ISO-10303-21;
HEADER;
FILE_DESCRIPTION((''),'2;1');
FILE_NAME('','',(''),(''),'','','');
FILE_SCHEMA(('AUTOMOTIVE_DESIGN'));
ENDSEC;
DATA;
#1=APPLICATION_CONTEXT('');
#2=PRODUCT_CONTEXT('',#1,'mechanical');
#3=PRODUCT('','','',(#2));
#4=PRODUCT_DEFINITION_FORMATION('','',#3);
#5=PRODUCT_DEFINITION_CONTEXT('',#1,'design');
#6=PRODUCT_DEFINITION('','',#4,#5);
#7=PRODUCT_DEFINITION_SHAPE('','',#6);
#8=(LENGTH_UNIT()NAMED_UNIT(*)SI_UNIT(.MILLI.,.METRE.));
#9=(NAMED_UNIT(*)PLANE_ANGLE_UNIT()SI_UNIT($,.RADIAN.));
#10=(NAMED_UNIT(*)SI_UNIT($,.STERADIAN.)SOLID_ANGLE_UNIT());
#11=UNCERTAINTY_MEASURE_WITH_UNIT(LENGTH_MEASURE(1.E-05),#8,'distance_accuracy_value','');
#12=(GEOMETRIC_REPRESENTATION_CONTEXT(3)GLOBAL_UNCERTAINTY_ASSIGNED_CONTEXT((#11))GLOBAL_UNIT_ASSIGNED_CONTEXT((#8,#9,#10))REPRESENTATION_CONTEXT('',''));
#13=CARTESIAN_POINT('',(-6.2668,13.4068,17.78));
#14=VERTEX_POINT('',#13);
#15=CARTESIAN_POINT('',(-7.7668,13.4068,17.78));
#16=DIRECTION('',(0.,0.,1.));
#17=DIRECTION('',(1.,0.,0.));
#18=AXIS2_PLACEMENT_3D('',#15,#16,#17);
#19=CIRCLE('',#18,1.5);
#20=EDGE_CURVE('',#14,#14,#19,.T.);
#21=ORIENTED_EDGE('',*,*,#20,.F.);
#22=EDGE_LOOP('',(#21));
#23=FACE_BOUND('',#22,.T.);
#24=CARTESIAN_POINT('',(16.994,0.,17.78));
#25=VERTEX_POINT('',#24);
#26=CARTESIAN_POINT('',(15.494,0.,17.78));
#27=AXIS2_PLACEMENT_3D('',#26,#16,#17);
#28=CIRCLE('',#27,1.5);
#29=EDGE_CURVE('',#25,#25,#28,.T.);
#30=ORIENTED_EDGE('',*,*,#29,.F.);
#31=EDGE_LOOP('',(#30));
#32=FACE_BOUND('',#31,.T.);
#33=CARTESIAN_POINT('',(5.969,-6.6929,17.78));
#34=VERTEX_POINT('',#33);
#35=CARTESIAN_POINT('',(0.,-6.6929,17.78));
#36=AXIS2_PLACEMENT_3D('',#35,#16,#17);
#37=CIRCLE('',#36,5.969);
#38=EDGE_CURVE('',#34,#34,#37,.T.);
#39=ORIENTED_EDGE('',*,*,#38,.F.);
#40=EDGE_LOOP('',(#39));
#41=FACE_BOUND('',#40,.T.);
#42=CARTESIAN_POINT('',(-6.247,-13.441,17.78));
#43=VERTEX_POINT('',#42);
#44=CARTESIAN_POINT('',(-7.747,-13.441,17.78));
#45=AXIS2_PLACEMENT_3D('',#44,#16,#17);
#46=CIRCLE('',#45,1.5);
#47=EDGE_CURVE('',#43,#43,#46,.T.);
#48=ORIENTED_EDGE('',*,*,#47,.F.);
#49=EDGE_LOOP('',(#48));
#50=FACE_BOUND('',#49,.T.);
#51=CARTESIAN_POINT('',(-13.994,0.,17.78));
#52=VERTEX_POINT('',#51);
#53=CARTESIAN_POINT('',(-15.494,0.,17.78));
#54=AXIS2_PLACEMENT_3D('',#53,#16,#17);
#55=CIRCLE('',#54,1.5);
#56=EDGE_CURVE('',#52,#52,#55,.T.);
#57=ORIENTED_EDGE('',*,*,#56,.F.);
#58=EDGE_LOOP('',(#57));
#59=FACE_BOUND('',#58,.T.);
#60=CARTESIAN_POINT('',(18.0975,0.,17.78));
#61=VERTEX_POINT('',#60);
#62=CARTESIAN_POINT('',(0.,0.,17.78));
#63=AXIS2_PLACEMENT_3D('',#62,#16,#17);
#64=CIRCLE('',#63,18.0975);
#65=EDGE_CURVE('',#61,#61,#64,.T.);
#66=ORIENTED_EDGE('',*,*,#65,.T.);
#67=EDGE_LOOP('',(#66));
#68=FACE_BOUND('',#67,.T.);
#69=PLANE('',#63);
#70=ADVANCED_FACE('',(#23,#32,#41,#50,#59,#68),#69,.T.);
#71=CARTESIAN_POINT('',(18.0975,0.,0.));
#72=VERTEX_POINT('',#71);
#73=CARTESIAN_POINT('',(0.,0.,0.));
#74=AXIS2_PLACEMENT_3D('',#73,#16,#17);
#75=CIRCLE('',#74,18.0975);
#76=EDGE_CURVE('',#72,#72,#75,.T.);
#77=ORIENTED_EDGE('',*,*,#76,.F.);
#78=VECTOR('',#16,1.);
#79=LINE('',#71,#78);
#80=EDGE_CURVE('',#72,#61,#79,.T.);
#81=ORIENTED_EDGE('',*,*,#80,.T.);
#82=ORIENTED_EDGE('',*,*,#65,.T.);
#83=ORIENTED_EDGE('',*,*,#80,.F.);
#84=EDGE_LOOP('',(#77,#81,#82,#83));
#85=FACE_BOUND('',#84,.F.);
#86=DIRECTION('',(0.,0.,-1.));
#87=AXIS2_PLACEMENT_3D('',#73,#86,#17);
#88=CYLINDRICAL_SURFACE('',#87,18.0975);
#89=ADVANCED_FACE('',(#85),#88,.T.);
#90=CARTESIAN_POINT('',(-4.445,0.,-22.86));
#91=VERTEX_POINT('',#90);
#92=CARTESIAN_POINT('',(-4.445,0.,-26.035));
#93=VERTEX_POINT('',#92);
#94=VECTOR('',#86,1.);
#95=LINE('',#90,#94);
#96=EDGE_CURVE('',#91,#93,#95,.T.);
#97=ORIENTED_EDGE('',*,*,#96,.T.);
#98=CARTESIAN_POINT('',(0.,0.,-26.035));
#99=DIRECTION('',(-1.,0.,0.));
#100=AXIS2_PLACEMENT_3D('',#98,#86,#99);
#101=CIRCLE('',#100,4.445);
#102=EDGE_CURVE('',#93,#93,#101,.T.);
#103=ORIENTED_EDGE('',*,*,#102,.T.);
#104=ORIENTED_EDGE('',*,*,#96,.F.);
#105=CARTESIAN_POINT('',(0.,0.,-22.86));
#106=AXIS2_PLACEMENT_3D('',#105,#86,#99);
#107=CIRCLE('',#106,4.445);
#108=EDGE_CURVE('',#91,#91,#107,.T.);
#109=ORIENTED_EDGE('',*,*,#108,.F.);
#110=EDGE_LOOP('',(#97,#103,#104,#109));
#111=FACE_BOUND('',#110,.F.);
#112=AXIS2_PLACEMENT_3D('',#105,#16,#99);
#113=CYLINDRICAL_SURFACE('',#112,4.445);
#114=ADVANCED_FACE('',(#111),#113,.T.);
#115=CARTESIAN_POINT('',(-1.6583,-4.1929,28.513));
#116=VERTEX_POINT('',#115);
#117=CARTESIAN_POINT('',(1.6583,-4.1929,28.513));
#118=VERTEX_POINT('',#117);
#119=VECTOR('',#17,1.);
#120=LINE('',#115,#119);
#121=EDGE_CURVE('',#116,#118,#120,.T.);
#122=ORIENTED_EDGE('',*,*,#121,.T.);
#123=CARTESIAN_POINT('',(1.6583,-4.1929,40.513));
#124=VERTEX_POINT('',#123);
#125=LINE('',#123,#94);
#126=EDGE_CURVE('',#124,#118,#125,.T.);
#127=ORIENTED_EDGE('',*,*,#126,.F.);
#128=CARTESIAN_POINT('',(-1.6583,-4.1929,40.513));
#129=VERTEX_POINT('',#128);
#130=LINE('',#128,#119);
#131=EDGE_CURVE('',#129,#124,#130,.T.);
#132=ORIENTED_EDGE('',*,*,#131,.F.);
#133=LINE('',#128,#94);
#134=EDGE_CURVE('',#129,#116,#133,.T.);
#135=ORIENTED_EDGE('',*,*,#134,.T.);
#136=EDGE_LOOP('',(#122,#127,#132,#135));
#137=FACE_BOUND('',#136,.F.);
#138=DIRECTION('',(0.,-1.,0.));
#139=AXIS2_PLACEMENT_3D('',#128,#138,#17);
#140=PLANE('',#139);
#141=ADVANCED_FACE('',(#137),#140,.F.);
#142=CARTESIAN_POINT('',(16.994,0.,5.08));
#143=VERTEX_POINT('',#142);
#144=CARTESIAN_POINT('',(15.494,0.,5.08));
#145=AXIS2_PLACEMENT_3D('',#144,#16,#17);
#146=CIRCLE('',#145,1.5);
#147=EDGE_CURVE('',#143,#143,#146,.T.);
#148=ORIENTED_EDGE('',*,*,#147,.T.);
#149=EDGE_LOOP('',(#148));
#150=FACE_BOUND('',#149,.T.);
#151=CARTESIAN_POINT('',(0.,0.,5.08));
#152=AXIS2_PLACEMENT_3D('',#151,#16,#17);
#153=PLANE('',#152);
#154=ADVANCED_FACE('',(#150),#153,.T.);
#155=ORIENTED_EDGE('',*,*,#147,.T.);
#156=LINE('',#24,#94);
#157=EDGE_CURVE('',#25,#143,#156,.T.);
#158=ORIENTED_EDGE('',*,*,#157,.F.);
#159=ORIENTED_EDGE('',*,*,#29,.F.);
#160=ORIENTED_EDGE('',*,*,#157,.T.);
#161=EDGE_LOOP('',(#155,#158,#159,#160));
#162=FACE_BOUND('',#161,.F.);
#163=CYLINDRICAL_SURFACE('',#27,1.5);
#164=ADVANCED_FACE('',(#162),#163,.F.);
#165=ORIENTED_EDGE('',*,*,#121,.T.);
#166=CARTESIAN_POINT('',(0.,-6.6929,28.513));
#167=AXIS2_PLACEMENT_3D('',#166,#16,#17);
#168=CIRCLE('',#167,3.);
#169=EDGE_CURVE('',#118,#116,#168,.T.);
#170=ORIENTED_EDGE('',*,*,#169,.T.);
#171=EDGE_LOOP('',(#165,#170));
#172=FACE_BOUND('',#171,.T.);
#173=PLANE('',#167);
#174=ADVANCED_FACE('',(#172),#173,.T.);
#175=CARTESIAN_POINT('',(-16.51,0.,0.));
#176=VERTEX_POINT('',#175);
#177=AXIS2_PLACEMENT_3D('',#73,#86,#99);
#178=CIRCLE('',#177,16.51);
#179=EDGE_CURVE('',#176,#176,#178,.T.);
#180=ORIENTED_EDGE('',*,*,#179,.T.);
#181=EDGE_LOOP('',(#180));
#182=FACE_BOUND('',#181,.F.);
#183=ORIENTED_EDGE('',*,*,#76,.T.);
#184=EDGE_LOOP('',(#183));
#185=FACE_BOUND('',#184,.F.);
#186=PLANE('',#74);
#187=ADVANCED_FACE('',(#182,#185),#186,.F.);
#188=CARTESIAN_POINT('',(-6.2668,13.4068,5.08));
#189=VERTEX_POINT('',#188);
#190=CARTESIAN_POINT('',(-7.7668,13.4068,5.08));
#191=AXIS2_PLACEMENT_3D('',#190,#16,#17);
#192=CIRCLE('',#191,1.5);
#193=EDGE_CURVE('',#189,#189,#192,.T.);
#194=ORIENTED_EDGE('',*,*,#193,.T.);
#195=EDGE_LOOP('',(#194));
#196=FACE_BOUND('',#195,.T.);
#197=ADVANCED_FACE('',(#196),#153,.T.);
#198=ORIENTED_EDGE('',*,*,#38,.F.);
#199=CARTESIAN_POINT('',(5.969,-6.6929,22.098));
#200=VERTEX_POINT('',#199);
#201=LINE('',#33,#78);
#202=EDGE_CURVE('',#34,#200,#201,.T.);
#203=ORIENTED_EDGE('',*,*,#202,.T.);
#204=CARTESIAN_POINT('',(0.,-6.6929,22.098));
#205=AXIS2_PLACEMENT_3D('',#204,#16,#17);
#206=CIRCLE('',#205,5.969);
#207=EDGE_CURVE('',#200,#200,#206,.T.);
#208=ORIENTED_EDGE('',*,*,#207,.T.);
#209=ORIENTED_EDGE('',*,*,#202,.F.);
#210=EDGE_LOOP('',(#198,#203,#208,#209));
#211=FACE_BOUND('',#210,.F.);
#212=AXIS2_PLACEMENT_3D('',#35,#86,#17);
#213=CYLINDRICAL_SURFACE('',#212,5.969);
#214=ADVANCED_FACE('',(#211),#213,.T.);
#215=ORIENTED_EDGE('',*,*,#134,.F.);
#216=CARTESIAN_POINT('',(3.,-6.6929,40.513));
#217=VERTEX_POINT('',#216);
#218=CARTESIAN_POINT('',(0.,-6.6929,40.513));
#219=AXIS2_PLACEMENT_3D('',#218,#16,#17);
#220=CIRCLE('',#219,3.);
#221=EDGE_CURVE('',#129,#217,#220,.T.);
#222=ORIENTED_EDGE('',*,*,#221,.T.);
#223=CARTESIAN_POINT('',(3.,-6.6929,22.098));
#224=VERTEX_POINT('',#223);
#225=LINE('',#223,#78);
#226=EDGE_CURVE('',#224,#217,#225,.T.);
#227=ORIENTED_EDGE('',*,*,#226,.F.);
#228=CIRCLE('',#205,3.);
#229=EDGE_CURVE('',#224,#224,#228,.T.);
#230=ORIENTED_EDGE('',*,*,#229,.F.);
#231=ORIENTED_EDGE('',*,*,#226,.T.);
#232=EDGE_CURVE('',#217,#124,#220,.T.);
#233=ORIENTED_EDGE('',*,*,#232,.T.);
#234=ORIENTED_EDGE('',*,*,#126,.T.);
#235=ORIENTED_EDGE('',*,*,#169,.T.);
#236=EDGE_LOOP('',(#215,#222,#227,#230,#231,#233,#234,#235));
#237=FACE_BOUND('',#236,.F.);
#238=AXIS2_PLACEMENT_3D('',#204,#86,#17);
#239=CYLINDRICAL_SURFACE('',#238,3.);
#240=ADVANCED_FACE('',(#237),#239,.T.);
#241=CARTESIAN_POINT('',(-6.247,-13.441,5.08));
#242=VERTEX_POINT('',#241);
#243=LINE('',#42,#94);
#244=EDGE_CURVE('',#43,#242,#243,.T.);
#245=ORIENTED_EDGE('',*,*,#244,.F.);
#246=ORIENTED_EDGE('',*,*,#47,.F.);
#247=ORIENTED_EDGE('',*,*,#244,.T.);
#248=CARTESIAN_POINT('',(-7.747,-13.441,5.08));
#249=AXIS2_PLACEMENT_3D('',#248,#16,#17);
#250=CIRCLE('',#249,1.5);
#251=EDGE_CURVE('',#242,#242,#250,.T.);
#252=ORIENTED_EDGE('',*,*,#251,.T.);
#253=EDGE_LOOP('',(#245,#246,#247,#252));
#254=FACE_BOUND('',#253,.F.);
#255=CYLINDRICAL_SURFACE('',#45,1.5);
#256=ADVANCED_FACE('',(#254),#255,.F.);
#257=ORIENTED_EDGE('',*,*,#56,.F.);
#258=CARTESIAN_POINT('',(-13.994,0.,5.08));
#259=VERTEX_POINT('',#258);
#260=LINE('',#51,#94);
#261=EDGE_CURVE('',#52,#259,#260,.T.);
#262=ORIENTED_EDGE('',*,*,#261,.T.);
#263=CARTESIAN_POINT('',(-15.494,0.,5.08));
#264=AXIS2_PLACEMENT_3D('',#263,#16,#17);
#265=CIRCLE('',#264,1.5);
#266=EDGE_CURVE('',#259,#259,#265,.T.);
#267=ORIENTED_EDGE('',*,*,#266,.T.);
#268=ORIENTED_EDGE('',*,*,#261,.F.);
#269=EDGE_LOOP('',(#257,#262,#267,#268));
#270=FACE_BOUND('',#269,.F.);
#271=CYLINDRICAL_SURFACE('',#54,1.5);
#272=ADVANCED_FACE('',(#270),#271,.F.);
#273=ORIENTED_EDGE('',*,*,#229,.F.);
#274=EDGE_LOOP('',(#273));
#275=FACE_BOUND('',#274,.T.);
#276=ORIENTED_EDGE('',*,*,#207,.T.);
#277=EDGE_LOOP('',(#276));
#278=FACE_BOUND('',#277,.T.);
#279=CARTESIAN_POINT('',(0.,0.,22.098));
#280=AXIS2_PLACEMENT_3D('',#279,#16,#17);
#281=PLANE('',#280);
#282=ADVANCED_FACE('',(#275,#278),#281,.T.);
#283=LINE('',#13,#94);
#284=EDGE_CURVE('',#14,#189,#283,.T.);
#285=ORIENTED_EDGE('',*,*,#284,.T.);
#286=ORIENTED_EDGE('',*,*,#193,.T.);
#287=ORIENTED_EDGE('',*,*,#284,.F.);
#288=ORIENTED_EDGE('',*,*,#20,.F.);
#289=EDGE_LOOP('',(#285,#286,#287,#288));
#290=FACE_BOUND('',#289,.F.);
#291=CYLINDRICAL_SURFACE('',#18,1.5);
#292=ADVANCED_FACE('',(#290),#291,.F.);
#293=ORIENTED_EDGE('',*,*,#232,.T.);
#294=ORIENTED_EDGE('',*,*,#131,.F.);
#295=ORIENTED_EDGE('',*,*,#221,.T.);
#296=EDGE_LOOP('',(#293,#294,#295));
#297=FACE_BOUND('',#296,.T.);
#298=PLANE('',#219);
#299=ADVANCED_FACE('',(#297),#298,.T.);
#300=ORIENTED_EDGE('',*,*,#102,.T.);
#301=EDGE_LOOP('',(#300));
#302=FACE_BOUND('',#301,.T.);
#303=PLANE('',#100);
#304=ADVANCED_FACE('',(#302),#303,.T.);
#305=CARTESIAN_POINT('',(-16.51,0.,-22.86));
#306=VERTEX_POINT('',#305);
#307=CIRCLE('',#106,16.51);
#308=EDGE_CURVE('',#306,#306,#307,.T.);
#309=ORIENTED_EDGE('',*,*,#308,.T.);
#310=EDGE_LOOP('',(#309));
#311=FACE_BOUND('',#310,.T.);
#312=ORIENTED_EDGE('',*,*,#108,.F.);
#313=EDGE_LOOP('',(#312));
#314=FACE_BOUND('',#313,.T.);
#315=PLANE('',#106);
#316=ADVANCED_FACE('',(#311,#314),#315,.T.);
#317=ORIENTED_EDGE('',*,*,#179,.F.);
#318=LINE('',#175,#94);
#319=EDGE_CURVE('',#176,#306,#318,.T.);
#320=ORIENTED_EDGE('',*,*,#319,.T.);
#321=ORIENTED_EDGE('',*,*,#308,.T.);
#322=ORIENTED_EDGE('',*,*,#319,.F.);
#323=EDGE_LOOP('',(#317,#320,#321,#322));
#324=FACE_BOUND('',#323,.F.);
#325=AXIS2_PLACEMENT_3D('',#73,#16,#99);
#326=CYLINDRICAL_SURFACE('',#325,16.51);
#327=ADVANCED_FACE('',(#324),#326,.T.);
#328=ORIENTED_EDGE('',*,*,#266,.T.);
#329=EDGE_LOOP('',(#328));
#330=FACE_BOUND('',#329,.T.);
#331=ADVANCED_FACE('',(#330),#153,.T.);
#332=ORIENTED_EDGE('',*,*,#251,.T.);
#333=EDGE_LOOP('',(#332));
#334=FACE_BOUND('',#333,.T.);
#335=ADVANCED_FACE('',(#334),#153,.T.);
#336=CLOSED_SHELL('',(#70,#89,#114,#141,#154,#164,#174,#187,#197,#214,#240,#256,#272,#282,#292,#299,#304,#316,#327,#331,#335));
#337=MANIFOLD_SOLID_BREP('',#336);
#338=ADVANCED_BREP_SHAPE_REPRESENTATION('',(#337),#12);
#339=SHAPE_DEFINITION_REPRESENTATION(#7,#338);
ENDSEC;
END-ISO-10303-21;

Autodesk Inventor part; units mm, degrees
ref_plane "YZ Plane" through (0, 0, 0) normal (1, 0, 0) x (0, 1, 0)
ref_plane "XZ Plane" through (0, 0, 0) normal (0, 1, 0) x (-1, 0, 0)
ref_plane "XY Plane" through (0, 0, 0) normal (0, 0, 1) x (1, 0, 0)
sketch "Sketch1" plane through (0, 0, 0) normal (0, 0, 1) x (1, 0, 0)
  circle A0 centre (0, 0) radius 18.0975
  dimension "d0" = 36.195
extrude "Extrusion1" add sketch "Sketch1" along normal blind 17.78
sketch "Sketch2" plane through (0, 0, 17.78) normal (0, 0, 1) x (1, 0, 0)
  circle A0 centre (0, 0) radius 18.0975 projected
  line L0 (0, -18.0975) -> (0, -6.6929) construction
  circle A1 centre (0, -6.6929) radius 5.969
  dimension "d3" = 11.4046
  dimension "d4" = 11.938
extrude "Extrusion2" add sketch "Sketch2" along normal blind 4.318 contours A1
sketch "Sketch3" plane through (0, -6.6929, 22.098) normal (0, 0, 1) x (1, 0, 0)
  circle A0 centre (0, 0) radius 5.969 projected
  circle A1 centre (0, 0) radius 3
  point P0 (0, 6.6929)
  dimension "d7" = 6
extrude "Extrusion3" add sketch "Sketch3" along normal blind 18.415 contours A1
sketch "Sketch4" plane through (0, -6.6929, 40.513) normal (0, 0, 1) x (1, 0, 0)
  circle A0 centre (0, 0) radius 3 projected
  arc A1 (1.6583, 2.5) -> (-1.6583, 2.5) centre (0, 0) ccw
  line L0 (-1.6583, 2.5) -> (1.6583, 2.5)
  point P0 (0, 6.6929)
extrude "Extrusion4" cut sketch "Sketch4" against normal blind 12 contours L0 A0 picked at (-0.1169, 2.6598)
sketch "Sketch5" plane through (0, 0, 0) normal (0, 0, -1) x (-1, 0, 0)
  circle A0 centre (0, 0) radius 18.0975 projected
  circle A1 centre (0, 0) radius 16.51
  dimension "d13" = 33.02
extrude "Extrusion5" add sketch "Sketch5" along normal blind 22.86 contours A1
sketch "Sketch6" plane through (0, 0, -22.86) normal (0, 0, -1) x (-1, 0, 0)
  circle A0 centre (0, 0) radius 16.51 projected
  circle A1 centre (0, 0) radius 4.445
  dimension "d16" = 8.89
extrude "Extrusion6" add sketch "Sketch6" along normal blind 3.175 contours A1
sketch "Sketch7" plane through (0, 0, 17.78) normal (0, 0, 1) x (1, 0, 0)
  circle A0 centre (0, 0) radius 18.0975 projected
  circle A1 centre (-15.494, 0) radius 1.5
  circle A2 centre (15.494, 0) radius 1.5
  circle A3 centre (0, 0) radius 15.494 construction
  circle A4 centre (15.494, 0) radius 26.8478 construction
  circle A5 centre (-7.7668, 13.4068) radius 26.8478 construction
  circle A6 centre (-7.7668, 13.4068) radius 1.5
  circle A7 centre (-7.747, -13.441) radius 1.5
  dimension "d24" = 53.6956
  dimension "d21" = 3
  dimension "d22" = 3
  dimension "d23" = 53.6956
  dimension "d25" = 3
  dimension "d26" = 3
extrude "Extrusion7" cut sketch "Sketch7" against normal blind 12.7 contours A1 | A2 | A6 | A7
thread "Thread1" size "M3x0.5" class "6H" standard "ISO Metric profile" full length
thread "Thread2" size "5-40 UNC" class "2B" standard "ANSI Unified Screw Threads" full length
thread "Thread3" size "5-40 UNC" class "2B" standard "ANSI Unified Screw Threads" full length
thread "Thread4" size "5-40 UNC" class "2B" standard "ANSI Unified Screw Threads" full length
properties part number "Drive Motor"
